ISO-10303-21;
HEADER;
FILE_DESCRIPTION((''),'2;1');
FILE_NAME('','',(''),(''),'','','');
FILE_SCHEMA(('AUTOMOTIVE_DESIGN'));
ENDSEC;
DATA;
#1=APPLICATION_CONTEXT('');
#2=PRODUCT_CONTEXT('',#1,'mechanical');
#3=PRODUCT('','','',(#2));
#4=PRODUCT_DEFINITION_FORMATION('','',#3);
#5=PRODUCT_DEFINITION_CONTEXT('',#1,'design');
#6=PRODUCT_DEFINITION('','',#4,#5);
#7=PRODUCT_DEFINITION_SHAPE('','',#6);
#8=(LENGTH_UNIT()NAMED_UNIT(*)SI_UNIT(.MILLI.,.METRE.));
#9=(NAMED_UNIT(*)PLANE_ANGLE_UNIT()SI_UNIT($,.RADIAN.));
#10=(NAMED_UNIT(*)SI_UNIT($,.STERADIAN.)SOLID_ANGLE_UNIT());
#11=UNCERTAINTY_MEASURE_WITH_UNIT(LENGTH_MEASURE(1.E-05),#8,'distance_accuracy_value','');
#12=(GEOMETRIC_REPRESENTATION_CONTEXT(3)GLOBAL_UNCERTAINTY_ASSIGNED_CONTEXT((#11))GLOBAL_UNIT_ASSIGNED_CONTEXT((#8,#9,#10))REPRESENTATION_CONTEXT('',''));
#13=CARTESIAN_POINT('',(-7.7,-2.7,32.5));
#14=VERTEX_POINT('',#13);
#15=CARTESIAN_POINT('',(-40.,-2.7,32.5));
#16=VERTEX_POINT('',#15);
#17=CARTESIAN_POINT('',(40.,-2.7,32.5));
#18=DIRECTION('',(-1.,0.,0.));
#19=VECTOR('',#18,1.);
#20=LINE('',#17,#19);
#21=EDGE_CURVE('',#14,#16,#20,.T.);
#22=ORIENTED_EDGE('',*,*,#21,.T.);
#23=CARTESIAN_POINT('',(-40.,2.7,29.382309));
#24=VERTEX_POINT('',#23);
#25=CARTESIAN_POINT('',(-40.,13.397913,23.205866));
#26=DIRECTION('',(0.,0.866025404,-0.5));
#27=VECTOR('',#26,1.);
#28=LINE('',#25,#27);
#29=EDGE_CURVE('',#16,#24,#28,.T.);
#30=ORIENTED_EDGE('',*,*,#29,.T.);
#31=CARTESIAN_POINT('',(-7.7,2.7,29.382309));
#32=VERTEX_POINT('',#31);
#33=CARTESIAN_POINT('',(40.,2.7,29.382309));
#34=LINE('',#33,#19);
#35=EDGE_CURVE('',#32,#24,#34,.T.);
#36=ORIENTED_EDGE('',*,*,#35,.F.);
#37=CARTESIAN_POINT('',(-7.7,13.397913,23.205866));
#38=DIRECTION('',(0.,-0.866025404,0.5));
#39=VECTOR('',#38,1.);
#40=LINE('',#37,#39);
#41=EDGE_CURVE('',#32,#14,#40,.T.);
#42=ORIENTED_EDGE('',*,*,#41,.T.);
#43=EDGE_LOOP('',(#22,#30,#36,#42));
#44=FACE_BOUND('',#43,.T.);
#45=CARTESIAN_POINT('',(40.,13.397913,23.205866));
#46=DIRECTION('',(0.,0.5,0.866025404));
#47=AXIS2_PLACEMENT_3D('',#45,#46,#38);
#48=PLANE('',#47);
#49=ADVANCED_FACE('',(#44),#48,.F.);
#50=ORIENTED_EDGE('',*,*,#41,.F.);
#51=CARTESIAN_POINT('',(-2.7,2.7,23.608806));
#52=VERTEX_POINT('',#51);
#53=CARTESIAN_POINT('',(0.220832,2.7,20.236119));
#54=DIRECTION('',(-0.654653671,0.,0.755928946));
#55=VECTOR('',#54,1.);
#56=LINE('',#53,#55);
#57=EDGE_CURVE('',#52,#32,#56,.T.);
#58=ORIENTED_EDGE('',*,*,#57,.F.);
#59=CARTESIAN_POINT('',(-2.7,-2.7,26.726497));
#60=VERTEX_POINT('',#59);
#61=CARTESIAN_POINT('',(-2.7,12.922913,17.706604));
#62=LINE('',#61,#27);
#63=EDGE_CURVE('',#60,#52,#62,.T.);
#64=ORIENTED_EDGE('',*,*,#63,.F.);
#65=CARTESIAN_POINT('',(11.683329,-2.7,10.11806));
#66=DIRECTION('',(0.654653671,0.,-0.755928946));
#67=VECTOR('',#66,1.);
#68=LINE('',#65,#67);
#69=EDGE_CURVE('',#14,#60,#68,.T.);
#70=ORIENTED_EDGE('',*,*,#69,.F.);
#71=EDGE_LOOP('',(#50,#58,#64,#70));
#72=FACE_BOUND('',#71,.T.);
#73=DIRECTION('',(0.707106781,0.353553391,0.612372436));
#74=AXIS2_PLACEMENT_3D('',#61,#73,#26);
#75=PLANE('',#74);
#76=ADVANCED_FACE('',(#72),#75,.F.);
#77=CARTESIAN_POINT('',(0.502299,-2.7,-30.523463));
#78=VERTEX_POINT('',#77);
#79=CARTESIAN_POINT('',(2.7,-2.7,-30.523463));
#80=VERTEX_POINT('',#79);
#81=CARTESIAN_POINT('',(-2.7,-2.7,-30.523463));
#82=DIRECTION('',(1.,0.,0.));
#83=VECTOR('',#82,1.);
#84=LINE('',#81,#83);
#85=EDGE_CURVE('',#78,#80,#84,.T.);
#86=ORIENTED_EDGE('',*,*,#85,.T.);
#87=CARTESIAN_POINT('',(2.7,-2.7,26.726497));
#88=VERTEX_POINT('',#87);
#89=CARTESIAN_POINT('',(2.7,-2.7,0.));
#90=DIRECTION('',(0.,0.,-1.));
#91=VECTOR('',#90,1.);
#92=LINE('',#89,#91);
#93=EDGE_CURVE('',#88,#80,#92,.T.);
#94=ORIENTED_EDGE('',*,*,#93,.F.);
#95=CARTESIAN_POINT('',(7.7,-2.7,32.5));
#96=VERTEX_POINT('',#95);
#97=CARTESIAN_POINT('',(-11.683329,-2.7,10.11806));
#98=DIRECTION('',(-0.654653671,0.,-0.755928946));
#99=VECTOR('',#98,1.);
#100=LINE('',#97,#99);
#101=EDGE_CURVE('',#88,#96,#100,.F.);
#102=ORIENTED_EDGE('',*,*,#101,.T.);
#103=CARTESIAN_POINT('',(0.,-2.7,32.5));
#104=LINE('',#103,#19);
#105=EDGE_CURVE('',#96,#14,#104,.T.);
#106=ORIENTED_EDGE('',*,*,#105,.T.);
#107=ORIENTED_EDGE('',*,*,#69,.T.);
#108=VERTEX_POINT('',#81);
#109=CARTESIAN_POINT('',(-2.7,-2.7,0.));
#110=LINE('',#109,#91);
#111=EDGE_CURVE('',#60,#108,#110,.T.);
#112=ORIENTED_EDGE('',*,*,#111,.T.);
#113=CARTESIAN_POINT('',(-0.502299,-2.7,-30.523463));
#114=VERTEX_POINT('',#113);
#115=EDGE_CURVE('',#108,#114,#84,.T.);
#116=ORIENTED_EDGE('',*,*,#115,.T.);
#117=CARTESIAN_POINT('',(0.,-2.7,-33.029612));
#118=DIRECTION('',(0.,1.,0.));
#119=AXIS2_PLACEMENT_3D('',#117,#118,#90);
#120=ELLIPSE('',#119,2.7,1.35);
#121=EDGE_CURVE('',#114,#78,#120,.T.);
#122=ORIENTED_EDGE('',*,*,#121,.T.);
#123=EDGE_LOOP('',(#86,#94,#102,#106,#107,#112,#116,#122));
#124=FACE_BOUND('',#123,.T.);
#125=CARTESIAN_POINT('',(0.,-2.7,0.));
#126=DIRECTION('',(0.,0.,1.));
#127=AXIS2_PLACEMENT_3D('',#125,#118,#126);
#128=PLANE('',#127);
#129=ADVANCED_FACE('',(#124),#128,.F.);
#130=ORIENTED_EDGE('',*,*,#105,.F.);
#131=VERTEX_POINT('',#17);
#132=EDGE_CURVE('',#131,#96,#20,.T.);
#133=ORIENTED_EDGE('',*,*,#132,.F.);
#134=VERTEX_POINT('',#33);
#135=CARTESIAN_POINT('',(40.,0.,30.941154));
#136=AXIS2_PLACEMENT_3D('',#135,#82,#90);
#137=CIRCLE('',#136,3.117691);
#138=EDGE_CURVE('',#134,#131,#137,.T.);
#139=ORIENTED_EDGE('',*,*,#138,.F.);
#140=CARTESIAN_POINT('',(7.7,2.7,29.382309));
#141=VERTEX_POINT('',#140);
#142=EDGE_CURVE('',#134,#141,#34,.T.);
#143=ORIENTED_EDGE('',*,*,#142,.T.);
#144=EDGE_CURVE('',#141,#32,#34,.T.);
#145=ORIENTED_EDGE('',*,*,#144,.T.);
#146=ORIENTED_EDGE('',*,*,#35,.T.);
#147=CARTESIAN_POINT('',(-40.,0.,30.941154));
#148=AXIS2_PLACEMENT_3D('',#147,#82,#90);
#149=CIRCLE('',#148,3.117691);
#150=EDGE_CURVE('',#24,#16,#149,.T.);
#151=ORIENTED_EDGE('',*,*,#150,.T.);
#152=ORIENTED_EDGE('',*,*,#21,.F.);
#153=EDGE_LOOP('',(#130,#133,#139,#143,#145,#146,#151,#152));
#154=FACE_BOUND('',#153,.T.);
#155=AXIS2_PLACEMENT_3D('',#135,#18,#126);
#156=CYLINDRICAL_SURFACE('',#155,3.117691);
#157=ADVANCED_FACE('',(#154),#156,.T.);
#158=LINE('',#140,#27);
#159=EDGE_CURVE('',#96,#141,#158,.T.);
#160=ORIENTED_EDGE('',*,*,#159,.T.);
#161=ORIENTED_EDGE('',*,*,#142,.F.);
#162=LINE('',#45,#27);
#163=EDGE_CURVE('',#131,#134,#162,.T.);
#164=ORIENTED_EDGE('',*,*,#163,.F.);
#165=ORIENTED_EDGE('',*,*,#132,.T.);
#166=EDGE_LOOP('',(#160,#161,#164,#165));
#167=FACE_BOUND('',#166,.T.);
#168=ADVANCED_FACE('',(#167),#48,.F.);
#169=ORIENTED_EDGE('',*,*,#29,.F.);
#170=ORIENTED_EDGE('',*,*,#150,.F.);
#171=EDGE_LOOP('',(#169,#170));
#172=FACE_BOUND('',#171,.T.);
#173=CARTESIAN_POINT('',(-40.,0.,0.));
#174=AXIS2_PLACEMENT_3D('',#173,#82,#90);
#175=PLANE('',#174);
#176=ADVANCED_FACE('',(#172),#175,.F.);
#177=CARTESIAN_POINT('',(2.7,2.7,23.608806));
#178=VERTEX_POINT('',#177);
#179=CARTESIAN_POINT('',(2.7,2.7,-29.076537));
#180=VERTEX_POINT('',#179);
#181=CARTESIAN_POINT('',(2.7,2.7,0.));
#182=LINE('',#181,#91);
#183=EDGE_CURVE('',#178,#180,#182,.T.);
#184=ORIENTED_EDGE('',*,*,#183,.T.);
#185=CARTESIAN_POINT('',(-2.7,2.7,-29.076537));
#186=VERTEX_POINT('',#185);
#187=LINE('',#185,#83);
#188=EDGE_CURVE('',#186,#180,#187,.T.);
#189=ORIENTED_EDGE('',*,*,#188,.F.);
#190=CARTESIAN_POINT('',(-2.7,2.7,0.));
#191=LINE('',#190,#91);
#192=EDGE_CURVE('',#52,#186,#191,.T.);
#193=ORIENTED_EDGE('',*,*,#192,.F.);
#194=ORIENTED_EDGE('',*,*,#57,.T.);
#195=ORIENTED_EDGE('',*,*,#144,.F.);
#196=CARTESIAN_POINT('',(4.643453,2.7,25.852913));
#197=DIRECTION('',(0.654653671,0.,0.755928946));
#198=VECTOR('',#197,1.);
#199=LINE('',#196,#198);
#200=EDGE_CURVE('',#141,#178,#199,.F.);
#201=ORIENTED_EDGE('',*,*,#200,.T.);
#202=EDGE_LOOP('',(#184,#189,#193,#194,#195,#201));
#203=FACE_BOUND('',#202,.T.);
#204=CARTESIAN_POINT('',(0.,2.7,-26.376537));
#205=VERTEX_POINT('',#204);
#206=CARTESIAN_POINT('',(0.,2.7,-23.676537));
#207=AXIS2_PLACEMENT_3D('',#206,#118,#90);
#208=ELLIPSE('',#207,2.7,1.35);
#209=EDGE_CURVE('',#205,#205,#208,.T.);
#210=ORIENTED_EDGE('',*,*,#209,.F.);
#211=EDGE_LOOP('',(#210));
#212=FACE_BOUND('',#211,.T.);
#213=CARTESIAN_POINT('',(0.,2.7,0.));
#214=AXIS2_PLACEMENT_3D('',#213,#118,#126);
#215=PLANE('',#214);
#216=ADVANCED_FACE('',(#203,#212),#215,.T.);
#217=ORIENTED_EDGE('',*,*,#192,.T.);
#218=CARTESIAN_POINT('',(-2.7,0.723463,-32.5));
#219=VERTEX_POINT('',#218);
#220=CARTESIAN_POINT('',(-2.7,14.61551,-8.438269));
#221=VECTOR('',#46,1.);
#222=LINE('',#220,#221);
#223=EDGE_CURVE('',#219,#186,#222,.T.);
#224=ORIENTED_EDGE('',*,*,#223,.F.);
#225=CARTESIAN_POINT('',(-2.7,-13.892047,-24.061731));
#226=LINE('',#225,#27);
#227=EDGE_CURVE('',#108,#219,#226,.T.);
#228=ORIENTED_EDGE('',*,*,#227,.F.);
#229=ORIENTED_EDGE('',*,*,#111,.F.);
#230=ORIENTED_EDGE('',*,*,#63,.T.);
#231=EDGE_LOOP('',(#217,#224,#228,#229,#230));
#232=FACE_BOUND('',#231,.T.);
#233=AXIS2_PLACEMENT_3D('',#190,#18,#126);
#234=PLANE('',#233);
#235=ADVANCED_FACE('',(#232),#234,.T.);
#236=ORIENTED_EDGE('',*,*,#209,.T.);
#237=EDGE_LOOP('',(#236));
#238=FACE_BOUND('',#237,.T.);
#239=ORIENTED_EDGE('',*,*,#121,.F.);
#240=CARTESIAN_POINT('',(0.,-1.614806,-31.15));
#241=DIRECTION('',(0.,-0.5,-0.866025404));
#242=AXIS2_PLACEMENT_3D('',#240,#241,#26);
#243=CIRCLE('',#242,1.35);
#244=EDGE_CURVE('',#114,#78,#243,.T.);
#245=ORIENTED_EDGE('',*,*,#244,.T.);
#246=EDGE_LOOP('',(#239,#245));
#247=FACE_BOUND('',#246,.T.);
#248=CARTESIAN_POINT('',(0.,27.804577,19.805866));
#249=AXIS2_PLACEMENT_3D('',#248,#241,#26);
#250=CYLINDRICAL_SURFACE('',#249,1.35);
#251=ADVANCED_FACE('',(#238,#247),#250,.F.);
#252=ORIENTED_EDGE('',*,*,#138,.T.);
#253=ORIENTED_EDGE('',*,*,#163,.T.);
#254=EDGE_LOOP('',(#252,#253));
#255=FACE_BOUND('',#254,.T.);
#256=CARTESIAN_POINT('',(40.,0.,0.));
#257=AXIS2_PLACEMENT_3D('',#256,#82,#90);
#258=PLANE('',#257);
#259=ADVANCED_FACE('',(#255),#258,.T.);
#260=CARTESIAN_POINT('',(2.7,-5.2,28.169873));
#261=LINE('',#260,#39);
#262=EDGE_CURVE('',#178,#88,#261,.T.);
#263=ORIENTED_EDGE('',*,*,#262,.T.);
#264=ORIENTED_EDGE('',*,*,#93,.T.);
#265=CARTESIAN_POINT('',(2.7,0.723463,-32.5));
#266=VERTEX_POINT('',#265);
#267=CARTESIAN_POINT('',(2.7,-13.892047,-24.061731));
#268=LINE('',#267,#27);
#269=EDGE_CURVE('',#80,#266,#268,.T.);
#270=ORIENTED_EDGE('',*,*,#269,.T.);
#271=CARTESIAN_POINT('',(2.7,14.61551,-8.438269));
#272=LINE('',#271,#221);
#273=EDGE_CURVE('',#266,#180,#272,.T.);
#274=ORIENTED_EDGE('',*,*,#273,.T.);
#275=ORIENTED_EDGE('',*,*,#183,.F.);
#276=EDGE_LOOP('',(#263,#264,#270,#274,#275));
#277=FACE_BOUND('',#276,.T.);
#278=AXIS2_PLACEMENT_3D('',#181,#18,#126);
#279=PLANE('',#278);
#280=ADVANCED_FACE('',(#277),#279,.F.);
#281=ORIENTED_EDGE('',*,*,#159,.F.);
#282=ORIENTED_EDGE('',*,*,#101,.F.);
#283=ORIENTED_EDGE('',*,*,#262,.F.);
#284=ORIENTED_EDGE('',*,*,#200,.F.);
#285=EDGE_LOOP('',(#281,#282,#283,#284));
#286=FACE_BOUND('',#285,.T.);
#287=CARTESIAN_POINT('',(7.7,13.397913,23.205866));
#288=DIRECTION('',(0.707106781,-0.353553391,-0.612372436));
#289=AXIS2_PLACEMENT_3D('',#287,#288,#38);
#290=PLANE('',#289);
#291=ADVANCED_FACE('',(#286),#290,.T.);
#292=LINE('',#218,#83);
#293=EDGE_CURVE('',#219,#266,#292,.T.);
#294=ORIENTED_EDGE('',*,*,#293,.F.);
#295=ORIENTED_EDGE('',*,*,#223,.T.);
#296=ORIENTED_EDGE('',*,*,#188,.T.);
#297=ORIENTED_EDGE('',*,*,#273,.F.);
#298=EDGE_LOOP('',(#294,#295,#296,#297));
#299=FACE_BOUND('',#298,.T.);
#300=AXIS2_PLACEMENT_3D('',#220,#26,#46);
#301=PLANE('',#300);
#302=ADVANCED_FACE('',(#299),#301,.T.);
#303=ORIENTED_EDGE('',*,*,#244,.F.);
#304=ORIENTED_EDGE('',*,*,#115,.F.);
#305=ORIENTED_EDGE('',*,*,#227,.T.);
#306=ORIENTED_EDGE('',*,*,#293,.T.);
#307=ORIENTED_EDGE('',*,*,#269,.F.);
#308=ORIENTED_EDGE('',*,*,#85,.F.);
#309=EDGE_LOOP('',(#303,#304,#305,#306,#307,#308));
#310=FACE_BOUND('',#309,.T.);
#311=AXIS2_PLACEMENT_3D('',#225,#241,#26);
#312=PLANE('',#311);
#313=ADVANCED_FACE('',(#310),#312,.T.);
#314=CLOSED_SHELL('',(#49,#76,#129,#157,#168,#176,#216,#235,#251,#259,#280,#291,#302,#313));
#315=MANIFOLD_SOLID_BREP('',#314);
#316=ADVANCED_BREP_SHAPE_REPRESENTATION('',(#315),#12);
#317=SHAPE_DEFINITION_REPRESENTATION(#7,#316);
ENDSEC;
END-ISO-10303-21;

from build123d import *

# Parameters (mm, degrees)
SKETCH_1_W               = 5.4
SKETCH_1_H               = 65
EXTRUDE_1_DEPTH          = 2.7
CUT_EXTRUDE_1_DEPTH      = 33.723538928
CUT_EXTRUDE_1_DEPTH_BACK = 33.723538928
EXTRUDE_2_DEPTH          = 40
CHAMFER_1_SIZE           = 5
CUT_EXTRUDE_2_DEPTH      = 73.576392116
CUT_EXTRUDE_2_DEPTH_BACK = 73.576392116
SKETCH_6_R               = 1.35


with BuildPart() as part:
    # 草图1 → 凸台-拉伸1 (new, symmetric)
    with BuildSketch(Plane(origin=(0, 0, 0), x_dir=(1, 0, 0), z_dir=(0, 1, 0))):
        Rectangle(SKETCH_1_W, SKETCH_1_H)
    extrude(amount=EXTRUDE_1_DEPTH, both=True)

    # 草图3 → 切除-拉伸1 (cut, two sides: drawn at the far end of the back side and taken through both)
    with BuildSketch(Plane(origin=(0, 0, 0), x_dir=(0, 0, -1), z_dir=(1, 0, 0)).offset(-CUT_EXTRUDE_1_DEPTH_BACK)):
        Polygon((29.07653718, 2.7), (32.5, 0.72346282), (32.5, 2.7), align=None)
        Polygon((32.5, -2.7), (32.5, 0.72346282), (30.52346282, -2.7), align=None)
    extrude(amount=CUT_EXTRUDE_1_DEPTH + CUT_EXTRUDE_1_DEPTH_BACK, mode=Mode.SUBTRACT)

    # 草图4 → 凸台-拉伸2 (add, symmetric)
    with BuildSketch(Plane(origin=(0, 0, 0), x_dir=(0, 0, -1), z_dir=(1, 0, 0))):
        with BuildLine():
            ThreePointArc((-29.382308546, 2.7), (-33.641154273, 1.558845727), (-32.5, -2.7))
            Line((-32.5, -2.7), (-29.382308546, 2.7))
        make_face()
    extrude(amount=EXTRUDE_2_DEPTH, both=True)

    # 倒角1
    chamfer_1_edges = [part.edges().sort_by_distance(p)[0] for p in [
        (-2.7, 0, 30.941154273),
        (2.7, 0, 30.941154273),
    ]]
    chamfer(chamfer_1_edges, length=CHAMFER_1_SIZE)

    # 草图6 → 切除-拉伸2 (cut, two sides: drawn at the far end of the back side and taken through both)
    with BuildSketch(Plane(origin=(0, -13.892047107, -24.06173141), x_dir=(-1, 0, 0), z_dir=(0, -0.4999999999999933, -0.8660254037844425)).offset(-CUT_EXTRUDE_2_DEPTH_BACK)):
        with Locations(Location((0, 14.17653718, 0), (0, 0, 90))):
            Circle(SKETCH_6_R)
    extrude(amount=CUT_EXTRUDE_2_DEPTH + CUT_EXTRUDE_2_DEPTH_BACK, mode=Mode.SUBTRACT)


solid = part.part
